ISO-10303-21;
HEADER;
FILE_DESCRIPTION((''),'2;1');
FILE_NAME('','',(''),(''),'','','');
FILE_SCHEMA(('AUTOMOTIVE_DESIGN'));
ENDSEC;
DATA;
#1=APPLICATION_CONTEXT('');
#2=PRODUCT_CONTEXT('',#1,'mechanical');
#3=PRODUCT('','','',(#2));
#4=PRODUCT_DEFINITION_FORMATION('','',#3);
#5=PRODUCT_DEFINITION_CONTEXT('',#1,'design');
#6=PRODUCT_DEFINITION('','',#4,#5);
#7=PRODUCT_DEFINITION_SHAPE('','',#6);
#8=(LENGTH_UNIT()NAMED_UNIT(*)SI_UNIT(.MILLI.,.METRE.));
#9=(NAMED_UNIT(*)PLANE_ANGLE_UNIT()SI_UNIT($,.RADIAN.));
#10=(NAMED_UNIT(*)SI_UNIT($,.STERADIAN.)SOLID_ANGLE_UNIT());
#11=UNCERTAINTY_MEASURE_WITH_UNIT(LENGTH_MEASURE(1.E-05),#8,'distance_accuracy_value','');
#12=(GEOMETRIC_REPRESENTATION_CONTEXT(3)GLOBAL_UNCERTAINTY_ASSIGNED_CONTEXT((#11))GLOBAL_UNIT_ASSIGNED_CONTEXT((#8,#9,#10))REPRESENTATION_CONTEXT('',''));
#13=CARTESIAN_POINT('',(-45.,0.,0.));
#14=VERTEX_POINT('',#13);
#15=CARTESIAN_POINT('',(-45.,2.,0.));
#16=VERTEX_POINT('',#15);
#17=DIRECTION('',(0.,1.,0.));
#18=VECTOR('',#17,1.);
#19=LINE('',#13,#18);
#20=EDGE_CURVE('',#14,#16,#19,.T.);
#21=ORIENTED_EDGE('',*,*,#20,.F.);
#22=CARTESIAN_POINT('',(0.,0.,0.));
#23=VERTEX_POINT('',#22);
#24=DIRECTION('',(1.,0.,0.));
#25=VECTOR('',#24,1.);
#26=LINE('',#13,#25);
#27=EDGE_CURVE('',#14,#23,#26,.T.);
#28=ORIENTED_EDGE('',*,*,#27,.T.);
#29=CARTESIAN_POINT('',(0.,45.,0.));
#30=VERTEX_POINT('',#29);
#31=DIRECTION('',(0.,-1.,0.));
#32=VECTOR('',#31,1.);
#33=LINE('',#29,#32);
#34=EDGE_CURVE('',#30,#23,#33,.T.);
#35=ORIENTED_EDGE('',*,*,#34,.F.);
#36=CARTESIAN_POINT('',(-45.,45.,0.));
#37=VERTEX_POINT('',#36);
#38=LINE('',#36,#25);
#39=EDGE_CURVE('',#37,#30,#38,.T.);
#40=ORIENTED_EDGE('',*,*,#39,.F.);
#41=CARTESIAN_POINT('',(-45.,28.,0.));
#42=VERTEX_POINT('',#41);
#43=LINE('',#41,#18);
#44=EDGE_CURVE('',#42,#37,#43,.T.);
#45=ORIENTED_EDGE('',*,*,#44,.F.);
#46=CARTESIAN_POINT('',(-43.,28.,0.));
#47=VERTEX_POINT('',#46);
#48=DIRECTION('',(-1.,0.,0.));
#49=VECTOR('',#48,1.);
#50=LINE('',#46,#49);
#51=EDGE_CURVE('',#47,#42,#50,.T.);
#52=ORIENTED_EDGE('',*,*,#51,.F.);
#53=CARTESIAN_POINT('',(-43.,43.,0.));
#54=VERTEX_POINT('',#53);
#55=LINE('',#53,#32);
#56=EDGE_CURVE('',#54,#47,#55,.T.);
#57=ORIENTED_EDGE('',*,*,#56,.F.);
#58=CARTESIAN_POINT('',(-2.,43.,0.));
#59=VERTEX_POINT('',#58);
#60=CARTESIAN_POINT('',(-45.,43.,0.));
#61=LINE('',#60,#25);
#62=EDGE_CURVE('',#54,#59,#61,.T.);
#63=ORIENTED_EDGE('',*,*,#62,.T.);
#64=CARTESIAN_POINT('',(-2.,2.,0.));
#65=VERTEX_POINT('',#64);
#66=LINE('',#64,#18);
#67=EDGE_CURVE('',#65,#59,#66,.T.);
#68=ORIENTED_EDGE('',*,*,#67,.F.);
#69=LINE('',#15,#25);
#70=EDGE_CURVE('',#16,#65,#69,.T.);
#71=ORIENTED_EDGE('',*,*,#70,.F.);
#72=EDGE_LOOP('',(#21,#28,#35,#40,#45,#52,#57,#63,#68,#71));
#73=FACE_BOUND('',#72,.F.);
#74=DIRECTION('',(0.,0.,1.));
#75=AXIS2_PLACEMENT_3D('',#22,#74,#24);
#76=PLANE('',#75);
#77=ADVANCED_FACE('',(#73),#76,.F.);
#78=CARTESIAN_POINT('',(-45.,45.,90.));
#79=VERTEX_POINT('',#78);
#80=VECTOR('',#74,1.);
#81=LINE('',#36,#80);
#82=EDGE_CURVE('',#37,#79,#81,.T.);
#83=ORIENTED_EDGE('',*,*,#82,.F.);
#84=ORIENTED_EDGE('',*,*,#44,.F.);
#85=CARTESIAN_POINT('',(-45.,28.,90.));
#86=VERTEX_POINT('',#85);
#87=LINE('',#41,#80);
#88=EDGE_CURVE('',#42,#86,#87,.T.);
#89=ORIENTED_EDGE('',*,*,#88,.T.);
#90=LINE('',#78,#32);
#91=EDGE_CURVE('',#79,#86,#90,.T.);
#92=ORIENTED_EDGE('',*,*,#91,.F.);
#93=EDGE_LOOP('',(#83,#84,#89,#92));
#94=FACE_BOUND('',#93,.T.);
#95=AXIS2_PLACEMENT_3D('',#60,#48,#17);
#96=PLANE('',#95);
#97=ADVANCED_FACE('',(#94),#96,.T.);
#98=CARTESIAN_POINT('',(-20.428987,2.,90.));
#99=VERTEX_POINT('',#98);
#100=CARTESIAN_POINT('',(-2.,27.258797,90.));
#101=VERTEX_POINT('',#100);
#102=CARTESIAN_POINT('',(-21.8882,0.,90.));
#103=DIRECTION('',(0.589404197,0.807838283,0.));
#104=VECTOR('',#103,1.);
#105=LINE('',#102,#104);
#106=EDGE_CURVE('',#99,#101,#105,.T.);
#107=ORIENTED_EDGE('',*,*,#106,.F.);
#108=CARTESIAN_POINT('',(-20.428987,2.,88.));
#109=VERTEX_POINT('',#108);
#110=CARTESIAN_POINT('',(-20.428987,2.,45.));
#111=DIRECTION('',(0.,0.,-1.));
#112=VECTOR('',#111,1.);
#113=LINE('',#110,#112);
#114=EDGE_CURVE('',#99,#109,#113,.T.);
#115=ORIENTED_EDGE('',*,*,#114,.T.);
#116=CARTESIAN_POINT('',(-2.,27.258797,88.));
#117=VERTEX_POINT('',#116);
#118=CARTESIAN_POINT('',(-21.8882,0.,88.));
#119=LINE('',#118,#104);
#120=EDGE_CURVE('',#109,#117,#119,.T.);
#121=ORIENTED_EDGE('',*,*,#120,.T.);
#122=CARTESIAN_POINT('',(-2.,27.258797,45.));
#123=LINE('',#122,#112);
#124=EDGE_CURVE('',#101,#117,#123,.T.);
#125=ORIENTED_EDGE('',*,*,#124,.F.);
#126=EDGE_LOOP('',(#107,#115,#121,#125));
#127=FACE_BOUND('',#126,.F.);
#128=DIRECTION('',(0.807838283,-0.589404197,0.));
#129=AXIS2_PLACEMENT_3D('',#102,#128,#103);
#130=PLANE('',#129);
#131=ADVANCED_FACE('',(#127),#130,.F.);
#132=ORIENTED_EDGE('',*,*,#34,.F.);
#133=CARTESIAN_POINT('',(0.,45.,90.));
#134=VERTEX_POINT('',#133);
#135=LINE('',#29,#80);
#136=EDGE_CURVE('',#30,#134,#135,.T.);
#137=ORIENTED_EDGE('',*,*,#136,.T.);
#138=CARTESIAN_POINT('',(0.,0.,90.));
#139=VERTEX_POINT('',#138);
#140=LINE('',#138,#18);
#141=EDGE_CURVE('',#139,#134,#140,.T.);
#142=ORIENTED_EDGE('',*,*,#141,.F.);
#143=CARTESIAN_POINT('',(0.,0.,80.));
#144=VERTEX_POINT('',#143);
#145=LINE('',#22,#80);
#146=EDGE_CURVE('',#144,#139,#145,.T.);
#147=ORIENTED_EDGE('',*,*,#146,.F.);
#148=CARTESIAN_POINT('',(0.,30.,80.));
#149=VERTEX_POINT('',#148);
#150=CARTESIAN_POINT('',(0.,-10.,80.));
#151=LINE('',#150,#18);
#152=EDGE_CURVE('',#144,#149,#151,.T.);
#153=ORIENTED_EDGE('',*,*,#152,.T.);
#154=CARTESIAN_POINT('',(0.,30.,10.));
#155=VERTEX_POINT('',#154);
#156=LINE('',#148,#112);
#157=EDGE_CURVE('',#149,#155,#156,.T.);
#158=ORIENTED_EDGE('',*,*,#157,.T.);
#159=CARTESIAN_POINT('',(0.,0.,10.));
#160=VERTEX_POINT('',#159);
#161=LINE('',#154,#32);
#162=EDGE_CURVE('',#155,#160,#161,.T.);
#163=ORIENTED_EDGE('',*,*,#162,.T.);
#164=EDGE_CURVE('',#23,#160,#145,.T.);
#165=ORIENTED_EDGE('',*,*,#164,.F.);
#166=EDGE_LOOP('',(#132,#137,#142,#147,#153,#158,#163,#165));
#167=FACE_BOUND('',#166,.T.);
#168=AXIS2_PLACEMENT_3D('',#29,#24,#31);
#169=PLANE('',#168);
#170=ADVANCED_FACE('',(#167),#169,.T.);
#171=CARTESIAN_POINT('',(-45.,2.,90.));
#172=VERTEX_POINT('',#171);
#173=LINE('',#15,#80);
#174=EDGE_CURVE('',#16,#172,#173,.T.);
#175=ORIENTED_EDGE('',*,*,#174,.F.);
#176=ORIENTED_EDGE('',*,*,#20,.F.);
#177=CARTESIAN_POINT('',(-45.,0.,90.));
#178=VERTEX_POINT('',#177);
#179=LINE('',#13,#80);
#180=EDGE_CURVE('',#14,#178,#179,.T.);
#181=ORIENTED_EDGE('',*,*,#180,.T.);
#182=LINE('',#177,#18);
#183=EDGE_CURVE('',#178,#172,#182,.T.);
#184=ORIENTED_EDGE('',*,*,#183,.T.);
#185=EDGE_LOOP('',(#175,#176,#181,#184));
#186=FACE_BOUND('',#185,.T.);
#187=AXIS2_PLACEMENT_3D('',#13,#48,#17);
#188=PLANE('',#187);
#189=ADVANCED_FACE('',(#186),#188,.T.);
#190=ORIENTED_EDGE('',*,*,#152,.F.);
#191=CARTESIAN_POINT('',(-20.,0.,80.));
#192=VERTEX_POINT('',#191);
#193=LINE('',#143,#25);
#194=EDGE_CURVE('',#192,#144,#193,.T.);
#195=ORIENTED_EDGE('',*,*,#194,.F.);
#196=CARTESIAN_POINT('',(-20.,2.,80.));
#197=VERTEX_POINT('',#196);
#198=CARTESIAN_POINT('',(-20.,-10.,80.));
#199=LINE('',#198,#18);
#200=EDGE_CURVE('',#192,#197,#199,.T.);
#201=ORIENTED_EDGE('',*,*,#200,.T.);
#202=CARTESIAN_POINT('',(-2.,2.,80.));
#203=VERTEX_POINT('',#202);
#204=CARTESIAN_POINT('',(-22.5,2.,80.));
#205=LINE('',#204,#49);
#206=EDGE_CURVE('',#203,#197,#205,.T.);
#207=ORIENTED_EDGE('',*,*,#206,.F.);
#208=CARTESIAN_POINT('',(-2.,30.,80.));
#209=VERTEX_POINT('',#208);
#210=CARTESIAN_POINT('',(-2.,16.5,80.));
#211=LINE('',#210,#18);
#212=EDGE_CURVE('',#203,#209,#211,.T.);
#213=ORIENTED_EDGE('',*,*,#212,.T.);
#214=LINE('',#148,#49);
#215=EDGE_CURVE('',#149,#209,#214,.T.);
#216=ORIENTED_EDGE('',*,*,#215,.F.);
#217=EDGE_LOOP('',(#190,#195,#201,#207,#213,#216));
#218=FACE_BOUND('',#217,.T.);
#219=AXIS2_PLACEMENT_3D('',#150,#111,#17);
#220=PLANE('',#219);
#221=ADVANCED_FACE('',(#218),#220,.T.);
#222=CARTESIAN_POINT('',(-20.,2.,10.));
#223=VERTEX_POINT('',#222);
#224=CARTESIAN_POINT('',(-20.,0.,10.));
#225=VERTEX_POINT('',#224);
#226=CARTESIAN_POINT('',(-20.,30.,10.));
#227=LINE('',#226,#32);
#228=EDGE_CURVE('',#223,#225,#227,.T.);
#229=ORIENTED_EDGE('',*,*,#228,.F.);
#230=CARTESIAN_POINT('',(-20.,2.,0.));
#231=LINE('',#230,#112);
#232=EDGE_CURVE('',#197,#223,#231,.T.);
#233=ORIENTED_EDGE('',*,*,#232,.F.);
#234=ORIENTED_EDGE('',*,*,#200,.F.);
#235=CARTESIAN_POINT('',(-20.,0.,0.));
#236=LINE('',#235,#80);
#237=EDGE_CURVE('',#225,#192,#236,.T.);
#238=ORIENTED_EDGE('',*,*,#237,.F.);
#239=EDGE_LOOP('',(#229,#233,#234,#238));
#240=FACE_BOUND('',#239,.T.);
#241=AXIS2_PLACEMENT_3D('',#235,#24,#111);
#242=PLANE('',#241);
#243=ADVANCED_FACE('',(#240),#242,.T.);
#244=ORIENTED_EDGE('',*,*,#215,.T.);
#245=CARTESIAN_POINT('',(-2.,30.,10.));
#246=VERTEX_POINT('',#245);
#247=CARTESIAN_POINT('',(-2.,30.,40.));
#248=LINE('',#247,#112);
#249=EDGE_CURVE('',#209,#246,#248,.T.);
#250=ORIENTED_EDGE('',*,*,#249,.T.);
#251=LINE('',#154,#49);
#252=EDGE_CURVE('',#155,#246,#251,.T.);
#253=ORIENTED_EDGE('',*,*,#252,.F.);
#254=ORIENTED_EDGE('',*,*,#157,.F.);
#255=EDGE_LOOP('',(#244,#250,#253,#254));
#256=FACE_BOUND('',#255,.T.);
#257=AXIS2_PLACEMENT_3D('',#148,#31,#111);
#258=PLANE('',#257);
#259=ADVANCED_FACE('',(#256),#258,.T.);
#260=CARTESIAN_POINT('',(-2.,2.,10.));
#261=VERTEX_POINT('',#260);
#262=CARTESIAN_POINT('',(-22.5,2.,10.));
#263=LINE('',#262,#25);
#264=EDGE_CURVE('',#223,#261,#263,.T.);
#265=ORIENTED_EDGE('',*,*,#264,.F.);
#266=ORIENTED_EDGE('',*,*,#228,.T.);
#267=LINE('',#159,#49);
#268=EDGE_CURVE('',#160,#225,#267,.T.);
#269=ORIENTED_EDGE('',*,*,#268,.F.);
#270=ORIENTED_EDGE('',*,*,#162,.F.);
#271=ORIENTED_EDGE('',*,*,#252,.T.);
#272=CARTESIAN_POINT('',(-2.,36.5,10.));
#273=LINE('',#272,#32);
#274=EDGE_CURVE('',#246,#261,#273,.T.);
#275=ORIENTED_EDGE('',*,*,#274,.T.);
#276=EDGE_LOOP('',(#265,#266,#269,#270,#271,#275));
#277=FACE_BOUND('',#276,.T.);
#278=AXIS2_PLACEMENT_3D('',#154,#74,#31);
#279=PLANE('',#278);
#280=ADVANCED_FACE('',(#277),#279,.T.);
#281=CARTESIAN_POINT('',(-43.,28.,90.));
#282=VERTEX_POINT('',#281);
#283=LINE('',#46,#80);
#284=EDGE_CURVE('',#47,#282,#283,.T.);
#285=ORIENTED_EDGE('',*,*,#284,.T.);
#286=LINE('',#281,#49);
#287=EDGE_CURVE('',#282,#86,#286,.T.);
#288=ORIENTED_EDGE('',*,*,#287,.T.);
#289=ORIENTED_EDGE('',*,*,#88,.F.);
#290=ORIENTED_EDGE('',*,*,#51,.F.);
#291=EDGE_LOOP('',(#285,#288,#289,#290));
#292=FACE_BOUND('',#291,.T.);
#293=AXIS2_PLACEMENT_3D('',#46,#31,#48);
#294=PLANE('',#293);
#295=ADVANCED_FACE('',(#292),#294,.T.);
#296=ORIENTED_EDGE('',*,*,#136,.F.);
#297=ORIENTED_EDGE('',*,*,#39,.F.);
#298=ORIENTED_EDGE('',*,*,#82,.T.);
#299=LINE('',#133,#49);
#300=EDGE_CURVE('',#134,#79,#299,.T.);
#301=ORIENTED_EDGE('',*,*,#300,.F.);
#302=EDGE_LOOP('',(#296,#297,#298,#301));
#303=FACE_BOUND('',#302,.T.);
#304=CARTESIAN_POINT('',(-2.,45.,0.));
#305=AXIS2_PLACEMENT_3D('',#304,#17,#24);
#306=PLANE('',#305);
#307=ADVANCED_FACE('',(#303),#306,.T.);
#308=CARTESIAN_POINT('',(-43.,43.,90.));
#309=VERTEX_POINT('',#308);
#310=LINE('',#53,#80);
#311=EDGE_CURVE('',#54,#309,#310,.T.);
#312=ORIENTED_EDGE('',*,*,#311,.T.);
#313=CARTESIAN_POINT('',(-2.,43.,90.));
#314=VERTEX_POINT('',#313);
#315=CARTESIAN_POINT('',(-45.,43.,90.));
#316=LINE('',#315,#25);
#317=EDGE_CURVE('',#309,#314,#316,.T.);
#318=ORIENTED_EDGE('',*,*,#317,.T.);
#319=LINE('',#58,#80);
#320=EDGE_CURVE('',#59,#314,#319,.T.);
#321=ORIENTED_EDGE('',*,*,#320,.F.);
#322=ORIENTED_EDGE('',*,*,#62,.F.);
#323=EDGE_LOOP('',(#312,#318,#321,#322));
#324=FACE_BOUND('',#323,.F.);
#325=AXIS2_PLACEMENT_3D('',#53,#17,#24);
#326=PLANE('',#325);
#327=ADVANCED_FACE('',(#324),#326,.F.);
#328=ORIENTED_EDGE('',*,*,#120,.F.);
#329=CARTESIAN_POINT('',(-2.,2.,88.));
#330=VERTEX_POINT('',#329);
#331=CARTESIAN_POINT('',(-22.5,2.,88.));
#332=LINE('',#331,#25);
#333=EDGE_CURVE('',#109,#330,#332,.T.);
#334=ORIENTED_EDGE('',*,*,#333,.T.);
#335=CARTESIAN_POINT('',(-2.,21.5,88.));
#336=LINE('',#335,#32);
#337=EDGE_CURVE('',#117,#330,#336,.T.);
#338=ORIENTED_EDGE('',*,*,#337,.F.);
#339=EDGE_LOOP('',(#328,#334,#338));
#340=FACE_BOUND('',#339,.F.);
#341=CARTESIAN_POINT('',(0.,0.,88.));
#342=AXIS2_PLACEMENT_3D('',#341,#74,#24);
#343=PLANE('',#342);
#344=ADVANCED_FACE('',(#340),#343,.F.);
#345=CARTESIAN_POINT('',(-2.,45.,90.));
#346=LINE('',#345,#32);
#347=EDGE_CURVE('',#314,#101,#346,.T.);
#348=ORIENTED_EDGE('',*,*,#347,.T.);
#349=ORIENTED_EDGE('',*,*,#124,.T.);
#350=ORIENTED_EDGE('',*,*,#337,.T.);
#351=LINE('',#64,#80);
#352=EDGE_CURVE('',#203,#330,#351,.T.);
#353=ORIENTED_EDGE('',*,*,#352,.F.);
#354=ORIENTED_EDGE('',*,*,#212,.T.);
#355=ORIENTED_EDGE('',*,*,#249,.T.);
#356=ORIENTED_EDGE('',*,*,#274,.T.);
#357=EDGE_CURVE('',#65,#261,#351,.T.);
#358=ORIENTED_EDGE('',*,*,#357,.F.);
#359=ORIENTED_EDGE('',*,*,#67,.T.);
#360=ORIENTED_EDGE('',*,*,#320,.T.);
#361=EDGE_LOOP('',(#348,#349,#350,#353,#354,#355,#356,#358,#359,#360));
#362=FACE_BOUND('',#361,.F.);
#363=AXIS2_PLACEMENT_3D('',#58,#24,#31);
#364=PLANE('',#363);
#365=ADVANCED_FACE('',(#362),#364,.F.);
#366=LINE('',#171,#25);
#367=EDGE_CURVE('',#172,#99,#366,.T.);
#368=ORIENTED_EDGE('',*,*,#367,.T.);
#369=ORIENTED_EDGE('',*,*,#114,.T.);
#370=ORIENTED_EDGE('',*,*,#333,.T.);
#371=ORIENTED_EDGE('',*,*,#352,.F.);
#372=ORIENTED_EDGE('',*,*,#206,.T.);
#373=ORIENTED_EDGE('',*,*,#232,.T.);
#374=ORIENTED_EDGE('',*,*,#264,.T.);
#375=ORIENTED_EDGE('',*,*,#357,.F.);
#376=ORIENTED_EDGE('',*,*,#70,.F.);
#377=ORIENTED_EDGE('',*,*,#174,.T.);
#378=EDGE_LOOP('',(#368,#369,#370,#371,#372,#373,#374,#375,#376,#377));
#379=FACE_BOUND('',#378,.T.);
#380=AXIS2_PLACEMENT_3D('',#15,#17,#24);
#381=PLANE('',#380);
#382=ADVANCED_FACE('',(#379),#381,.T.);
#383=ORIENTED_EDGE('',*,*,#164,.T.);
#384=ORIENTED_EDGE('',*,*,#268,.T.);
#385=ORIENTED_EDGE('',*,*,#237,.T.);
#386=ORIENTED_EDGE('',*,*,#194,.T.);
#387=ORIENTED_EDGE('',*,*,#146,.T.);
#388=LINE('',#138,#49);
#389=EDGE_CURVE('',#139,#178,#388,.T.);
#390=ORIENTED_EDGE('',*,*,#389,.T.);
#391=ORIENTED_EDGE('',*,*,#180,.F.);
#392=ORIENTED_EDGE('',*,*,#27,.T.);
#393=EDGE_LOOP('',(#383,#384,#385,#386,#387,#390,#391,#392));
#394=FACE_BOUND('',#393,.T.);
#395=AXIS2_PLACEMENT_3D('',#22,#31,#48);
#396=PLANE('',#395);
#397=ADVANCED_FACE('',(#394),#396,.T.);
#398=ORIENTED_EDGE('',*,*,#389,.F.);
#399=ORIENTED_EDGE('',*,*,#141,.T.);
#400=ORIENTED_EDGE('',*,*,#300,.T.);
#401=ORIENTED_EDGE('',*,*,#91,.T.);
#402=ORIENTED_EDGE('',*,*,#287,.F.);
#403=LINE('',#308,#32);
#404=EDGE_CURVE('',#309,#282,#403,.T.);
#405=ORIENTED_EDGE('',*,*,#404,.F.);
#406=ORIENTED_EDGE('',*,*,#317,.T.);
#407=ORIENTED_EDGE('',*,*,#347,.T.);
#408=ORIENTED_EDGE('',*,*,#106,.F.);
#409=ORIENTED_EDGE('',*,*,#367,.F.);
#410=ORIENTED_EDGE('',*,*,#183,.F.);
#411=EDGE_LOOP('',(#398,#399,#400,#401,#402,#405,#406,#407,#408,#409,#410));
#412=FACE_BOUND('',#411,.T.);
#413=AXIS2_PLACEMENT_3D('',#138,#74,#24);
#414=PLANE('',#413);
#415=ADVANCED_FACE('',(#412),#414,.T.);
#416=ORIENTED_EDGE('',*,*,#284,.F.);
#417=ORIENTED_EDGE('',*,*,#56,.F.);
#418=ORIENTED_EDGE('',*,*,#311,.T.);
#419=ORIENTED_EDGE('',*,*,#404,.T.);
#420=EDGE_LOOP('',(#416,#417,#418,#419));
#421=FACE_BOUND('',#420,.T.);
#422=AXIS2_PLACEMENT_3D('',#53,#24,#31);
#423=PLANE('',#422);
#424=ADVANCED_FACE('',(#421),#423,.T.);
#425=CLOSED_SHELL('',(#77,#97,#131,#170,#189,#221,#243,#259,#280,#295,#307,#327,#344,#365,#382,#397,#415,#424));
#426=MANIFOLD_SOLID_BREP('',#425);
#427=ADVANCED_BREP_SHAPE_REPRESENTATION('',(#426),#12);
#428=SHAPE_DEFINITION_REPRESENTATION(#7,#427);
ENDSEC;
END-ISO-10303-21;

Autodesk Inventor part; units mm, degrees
ref_plane "YZ Plane" through (0, 0, 0) normal (1, 0, 0) x (0, 1, 0)
ref_plane "XZ Plane" through (0, 0, 0) normal (0, 1, 0) x (-1, 0, 0)
sketch "Sketch1" plane through (0, 0, 0) normal (0, 0, 1) x (1, 0, 0)
  line L0 (0, 0) -> (-45, 0)
  line L1 (-45, 0) -> (-45, 45)
  line L2 (-45, 45) -> (0, 45)
  line L3 (0, 45) -> (0, 0)
  line L4 (-2, 45) -> (-2, 0)
  line L5 (-45, 2) -> (-2, 2)
  line L6 (-2, 45) -> (-45, 45)
  line L7 (-45, 45) -> (-45, 43)
  line L8 (-45, 43) -> (-2, 43)
  line L9 (-2, 43) -> (-2, 45)
  line L10 (-45, 43) -> (-43, 43)
  line L11 (-43, 43) -> (-43, 28)
  line L12 (-43, 28) -> (-45, 28)
  line L13 (-45, 28) -> (-45, 43)
  dimension "d0" = 45
  dimension "d1" = 45
  dimension "d2" = 2
  dimension "d3" = 2
  dimension "d17" = 2
  dimension "d18" = 2
  dimension "d19" = 15
extrude "Extrusion1" add sketch "Sketch1" along normal blind 90 contours L0 L4 L2 L3 | L0 L1 L5 L4
sketch "Sketch2" plane through (0, 0, 90) normal (0, 0, 1) x (1, 0, 0)
  line L0 (-45, 0) -> (0, 0) projected
  line L1 (0, 0) -> (-30, 0)
  line L2 (-30, 0) -> (-30, 30)
  line L3 (-30, 30) -> (0, 30)
  line L4 (0, 30) -> (0, 0)
  line L5 (0, 0) -> (-21.8882, 0)
  line L6 (-21.8882, 0) -> (0, 30)
  dimension "d6" = 30
  dimension "d7" = 30
  dimension "d8" = 30
extrude "Extrusion2" add sketch "Sketch2" against normal blind 2 contours L6 L4 L0
ref_plane "Work Plane1" through (0, 0, 45) normal (0, 0, -1) x (-1, 0, 0)
sketch "Sketch3" plane through (0, 0, 0) normal (1, 0, 0) x (0, 0, -1)
  line L0 (-80, 30) -> (-10, 30)
  line L1 (-10, 30) -> (-10, -10)
  line L2 (-10, -10) -> (-80, -10)
  line L3 (-80, -10) -> (-80, 30)
  line L4 (0, 45) -> (-90, 45) projected
  line L5 (0, 0) -> (0, 45) projected
  dimension "d11" = 70
  dimension "d12" = 40
  dimension "d13" = 15
  dimension "d14" = 10
extrude "Extrusion3" cut sketch "Sketch3" against normal blind 20
extrude "Extrusion4" add sketch "Sketch1" along normal blind 90 contours L4 L8 L1 L2 | L1 L8 L11 L12
properties part number "belt_holder"
